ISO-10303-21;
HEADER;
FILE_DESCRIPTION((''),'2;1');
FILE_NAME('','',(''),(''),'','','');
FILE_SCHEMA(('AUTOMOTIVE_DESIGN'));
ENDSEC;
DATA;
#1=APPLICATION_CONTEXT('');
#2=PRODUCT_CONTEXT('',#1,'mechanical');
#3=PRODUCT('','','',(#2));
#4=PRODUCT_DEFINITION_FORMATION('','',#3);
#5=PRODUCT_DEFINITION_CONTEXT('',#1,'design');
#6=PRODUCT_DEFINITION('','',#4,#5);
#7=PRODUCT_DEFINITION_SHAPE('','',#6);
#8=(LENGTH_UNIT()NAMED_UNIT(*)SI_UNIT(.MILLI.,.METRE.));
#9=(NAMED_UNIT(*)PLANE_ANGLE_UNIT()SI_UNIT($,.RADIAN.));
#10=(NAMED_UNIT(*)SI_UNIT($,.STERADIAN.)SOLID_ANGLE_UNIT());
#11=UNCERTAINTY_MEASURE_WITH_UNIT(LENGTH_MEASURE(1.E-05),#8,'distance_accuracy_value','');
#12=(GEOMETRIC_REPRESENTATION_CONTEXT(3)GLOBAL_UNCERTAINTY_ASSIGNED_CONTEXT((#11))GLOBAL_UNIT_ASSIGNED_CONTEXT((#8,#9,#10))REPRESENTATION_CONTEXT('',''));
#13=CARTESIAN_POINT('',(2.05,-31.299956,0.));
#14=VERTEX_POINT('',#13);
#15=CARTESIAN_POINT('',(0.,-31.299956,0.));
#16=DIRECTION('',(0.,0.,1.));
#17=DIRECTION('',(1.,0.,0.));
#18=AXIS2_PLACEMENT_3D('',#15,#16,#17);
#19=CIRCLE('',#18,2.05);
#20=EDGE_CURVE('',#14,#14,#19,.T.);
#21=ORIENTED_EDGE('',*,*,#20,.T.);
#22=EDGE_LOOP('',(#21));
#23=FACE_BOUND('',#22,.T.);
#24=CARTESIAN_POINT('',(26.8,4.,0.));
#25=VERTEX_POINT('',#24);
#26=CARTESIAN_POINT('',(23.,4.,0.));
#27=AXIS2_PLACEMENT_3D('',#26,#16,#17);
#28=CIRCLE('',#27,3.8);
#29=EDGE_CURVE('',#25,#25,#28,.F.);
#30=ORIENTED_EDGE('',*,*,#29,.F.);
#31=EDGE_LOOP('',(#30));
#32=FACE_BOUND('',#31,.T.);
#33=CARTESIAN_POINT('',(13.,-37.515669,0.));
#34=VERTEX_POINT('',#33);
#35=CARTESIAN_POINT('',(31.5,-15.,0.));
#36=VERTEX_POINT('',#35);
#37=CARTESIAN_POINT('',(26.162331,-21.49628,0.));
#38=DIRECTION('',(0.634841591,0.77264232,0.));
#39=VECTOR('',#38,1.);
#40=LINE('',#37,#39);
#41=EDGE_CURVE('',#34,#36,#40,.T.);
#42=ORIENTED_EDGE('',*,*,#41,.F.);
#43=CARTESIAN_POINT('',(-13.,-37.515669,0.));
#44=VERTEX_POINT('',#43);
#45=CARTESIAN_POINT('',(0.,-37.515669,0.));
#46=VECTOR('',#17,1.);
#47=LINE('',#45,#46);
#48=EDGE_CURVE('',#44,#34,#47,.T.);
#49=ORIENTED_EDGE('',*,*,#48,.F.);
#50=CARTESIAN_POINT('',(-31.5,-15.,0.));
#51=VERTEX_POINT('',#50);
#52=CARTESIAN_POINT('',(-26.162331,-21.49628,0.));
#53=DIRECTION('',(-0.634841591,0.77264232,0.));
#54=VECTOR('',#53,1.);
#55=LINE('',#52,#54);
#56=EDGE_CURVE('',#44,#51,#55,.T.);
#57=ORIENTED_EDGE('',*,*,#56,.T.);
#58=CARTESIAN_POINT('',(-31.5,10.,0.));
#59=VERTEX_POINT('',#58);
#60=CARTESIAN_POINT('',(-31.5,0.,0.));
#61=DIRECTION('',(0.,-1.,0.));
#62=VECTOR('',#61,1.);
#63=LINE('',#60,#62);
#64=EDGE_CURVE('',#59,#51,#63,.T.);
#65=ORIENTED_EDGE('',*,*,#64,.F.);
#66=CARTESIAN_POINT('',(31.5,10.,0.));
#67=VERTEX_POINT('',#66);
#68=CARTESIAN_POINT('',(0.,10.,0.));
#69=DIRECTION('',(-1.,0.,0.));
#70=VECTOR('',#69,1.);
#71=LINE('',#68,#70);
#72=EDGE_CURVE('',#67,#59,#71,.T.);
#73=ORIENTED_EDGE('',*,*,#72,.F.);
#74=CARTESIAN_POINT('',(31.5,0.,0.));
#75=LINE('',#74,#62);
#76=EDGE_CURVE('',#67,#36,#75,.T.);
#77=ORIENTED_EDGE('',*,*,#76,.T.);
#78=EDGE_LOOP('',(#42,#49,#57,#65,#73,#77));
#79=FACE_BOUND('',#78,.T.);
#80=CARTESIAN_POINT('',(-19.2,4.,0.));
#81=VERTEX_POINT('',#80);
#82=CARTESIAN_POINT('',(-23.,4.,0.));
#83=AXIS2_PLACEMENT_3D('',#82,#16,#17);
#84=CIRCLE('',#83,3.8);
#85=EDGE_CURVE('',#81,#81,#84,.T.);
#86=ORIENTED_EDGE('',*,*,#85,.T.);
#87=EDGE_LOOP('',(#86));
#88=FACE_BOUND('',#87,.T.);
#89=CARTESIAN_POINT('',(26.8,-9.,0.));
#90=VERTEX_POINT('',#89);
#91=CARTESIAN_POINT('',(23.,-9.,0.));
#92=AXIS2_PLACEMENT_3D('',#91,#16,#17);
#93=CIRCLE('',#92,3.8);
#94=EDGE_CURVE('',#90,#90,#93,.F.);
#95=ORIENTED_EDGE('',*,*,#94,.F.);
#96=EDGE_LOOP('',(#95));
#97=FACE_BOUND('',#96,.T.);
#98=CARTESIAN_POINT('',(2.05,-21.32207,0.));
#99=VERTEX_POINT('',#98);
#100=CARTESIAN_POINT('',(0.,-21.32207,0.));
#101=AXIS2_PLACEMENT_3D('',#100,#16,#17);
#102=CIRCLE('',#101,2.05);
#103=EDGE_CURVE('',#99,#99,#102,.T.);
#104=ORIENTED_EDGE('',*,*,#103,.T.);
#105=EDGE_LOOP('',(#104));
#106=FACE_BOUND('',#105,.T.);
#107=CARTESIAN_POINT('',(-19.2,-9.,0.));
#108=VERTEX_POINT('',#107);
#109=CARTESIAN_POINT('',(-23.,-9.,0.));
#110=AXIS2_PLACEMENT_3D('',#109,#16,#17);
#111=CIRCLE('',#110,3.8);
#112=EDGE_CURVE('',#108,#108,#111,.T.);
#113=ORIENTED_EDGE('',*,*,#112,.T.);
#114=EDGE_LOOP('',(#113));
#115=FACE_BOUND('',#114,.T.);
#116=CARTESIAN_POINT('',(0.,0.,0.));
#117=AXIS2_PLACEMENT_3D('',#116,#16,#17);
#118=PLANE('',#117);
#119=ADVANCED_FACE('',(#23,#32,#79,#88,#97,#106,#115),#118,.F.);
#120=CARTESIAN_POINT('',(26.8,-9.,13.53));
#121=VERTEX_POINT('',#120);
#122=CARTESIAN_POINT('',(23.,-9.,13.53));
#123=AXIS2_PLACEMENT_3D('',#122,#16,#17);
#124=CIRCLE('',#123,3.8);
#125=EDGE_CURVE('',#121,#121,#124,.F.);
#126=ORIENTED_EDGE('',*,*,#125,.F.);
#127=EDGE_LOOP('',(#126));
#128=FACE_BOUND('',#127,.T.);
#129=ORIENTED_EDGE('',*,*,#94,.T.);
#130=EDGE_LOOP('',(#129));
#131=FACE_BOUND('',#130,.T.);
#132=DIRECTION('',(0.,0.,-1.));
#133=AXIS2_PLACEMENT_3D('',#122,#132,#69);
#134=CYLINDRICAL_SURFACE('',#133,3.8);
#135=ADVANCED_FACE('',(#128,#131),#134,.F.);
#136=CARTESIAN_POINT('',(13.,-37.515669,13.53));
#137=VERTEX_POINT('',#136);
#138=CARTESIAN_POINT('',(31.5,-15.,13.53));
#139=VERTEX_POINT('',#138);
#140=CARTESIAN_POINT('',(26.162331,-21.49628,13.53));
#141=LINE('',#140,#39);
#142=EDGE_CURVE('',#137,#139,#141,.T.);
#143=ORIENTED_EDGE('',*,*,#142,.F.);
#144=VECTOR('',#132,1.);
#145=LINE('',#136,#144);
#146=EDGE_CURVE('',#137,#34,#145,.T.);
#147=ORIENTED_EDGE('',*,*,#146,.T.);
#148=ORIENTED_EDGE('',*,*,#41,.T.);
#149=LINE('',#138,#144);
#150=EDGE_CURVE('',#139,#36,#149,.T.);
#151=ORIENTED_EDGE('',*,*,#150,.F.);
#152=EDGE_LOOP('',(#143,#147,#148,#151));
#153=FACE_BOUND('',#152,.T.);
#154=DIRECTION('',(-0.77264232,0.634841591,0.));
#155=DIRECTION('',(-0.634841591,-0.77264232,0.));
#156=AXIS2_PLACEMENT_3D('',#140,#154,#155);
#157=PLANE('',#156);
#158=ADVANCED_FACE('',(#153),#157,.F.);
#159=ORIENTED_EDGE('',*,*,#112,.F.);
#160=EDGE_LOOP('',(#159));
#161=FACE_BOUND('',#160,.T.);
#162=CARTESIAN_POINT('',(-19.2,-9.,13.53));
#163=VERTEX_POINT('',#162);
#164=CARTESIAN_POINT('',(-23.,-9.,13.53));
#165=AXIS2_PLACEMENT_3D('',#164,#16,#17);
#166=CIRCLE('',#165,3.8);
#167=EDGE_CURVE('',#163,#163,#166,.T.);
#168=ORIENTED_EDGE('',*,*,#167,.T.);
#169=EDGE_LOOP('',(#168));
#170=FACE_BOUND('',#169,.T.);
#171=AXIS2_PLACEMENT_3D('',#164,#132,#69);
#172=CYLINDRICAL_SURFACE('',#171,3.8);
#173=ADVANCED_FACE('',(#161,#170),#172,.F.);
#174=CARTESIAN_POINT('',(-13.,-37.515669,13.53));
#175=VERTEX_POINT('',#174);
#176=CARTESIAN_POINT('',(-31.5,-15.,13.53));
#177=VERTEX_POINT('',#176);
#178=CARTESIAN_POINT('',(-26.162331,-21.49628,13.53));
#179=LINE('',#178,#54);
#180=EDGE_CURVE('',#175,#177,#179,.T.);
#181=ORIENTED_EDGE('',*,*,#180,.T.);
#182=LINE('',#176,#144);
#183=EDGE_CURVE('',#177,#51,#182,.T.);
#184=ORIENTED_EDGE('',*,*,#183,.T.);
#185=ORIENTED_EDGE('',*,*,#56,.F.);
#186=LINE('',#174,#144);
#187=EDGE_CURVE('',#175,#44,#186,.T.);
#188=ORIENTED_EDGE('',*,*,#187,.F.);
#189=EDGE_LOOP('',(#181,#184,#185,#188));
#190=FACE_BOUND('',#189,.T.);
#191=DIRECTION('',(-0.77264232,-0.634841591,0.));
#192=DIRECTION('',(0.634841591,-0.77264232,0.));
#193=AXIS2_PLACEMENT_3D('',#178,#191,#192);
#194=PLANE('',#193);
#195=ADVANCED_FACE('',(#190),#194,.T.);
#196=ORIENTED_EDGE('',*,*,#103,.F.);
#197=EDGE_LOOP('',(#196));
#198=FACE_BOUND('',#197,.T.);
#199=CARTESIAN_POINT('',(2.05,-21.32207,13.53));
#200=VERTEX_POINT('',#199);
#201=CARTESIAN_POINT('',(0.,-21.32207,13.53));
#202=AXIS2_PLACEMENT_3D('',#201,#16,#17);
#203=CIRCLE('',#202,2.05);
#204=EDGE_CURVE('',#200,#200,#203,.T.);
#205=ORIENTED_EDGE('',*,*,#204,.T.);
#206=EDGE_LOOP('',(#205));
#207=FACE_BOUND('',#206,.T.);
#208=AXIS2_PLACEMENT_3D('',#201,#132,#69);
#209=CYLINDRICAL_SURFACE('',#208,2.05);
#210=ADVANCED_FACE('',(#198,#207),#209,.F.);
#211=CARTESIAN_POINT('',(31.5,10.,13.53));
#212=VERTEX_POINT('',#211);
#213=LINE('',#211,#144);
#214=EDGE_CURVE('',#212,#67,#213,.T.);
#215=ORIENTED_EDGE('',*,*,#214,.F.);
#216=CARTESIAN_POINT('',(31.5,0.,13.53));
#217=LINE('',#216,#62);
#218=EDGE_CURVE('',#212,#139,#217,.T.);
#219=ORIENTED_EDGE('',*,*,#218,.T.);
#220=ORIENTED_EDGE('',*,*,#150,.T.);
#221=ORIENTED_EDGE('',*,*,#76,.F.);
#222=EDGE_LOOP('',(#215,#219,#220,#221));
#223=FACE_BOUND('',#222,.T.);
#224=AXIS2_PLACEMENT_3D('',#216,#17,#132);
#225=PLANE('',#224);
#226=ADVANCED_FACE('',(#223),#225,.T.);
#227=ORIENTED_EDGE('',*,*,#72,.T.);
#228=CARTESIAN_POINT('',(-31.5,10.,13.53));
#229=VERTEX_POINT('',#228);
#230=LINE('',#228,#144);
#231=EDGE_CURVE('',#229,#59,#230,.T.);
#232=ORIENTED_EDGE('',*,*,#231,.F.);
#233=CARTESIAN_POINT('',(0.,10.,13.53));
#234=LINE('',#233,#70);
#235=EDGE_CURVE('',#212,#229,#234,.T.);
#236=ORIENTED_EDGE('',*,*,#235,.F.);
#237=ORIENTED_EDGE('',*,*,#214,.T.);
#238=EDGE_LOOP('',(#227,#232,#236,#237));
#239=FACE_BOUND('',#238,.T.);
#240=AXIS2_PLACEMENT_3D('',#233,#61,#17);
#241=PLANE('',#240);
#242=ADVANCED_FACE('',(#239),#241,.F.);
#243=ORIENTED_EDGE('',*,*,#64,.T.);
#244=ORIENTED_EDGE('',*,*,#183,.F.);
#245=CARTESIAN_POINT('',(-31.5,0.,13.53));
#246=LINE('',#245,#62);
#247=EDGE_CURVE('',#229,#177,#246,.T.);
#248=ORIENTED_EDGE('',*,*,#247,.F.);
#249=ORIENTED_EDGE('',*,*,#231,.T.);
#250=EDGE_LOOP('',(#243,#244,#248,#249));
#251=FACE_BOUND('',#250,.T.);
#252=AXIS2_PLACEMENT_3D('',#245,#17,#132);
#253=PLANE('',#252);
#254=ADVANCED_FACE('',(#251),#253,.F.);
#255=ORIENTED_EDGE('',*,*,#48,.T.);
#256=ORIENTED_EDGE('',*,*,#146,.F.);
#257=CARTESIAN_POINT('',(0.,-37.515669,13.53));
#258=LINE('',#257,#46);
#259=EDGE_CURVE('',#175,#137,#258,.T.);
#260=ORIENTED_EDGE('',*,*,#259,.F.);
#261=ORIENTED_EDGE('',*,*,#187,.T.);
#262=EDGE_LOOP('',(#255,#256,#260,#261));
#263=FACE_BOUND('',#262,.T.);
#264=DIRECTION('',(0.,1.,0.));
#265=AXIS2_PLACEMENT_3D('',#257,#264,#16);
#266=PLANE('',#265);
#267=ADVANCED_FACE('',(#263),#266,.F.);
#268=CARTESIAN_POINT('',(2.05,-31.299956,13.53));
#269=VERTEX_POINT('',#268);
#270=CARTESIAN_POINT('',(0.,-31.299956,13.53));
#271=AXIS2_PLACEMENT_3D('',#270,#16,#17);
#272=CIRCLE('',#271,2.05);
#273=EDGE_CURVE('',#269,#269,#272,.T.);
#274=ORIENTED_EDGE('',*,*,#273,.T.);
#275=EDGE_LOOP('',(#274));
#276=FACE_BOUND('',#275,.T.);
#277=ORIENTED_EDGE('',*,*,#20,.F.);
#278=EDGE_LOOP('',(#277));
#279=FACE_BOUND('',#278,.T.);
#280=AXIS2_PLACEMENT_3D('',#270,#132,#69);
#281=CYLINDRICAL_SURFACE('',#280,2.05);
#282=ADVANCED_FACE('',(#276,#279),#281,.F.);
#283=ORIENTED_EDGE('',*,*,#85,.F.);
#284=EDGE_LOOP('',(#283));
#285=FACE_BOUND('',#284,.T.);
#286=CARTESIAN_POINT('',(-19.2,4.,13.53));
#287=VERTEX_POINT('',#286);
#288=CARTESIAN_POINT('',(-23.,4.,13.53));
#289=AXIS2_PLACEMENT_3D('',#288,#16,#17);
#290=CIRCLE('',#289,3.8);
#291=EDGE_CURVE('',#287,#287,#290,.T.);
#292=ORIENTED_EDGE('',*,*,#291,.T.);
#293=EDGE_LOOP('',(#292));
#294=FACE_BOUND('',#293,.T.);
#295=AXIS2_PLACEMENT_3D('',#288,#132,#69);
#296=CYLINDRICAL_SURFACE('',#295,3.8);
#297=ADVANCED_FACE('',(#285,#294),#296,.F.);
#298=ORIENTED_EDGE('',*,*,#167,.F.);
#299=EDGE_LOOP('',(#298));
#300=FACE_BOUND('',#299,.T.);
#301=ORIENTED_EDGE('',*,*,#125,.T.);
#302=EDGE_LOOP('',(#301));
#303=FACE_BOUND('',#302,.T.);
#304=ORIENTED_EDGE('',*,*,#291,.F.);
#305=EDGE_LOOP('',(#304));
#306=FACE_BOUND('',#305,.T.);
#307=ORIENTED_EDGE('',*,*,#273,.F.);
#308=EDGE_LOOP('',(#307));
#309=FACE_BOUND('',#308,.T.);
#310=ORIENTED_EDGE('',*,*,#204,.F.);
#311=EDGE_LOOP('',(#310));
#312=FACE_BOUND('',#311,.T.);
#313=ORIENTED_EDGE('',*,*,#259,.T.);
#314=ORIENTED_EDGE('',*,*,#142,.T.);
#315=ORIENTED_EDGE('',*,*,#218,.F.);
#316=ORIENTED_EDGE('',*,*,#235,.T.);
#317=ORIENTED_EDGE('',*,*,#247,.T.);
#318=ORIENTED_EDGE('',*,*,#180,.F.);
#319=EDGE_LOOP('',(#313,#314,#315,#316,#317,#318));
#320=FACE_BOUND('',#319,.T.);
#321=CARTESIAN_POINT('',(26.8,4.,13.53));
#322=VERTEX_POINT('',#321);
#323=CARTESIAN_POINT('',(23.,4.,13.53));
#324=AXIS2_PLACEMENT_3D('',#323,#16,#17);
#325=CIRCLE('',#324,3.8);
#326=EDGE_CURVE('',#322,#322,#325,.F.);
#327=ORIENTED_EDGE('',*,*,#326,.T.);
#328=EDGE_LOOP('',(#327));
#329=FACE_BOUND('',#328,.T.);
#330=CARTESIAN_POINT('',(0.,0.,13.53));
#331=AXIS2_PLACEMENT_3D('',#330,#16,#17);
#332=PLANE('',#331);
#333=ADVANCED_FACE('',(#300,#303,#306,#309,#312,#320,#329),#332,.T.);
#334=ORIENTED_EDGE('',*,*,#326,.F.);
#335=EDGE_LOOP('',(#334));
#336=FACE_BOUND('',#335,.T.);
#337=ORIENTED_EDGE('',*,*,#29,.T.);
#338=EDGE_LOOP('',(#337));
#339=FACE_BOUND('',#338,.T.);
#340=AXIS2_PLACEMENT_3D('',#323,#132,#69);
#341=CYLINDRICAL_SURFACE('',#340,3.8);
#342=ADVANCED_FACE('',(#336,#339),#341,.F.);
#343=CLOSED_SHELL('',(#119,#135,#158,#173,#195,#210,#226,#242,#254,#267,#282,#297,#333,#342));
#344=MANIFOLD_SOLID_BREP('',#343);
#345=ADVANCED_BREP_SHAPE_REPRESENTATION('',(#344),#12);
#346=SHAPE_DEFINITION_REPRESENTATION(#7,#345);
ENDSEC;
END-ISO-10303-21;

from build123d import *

# Parameters (mm, degrees)
SKETCH1_W           = 63
SKETCH1_H           = 25
SKETCH1_R           = 3.8
BOSS_EXTRUDE1_DEPTH = 13.53
SKETCH1_3_R         = 2.05
BOSS_EXTRUDE2_DEPTH = 13.53


with BuildPart() as part:
    # Sketch1 → Boss-Extrude1 (new body)
    with BuildSketch(Plane.XY):
        with Locations((0, -2.5)):
            Rectangle(SKETCH1_W, SKETCH1_H)
        with Locations((-23, -9)):
            Circle(SKETCH1_R, mode=Mode.SUBTRACT)
        with Locations((-23, 4)):
            Circle(SKETCH1_R, mode=Mode.SUBTRACT)
        with Locations((23, -9)):
            Circle(SKETCH1_R, mode=Mode.SUBTRACT)
        with Locations((23, 4)):
            Circle(SKETCH1_R, mode=Mode.SUBTRACT)
    extrude(amount=BOSS_EXTRUDE1_DEPTH)

    # Sketch1<3> → Boss-Extrude2 (add)
    with BuildSketch(Plane.XY):
        Polygon((13, -37.51566868), (31.5, -15), (-31.5, -15), (-13, -37.51566868), (0, -37.51566868), align=None)
        with Locations((0, -31.299955557)):
            Circle(SKETCH1_3_R, mode=Mode.SUBTRACT)
        with Locations((0, -21.322069584)):
            Circle(SKETCH1_3_R, mode=Mode.SUBTRACT)
    extrude(amount=BOSS_EXTRUDE2_DEPTH)


solid = part.part
